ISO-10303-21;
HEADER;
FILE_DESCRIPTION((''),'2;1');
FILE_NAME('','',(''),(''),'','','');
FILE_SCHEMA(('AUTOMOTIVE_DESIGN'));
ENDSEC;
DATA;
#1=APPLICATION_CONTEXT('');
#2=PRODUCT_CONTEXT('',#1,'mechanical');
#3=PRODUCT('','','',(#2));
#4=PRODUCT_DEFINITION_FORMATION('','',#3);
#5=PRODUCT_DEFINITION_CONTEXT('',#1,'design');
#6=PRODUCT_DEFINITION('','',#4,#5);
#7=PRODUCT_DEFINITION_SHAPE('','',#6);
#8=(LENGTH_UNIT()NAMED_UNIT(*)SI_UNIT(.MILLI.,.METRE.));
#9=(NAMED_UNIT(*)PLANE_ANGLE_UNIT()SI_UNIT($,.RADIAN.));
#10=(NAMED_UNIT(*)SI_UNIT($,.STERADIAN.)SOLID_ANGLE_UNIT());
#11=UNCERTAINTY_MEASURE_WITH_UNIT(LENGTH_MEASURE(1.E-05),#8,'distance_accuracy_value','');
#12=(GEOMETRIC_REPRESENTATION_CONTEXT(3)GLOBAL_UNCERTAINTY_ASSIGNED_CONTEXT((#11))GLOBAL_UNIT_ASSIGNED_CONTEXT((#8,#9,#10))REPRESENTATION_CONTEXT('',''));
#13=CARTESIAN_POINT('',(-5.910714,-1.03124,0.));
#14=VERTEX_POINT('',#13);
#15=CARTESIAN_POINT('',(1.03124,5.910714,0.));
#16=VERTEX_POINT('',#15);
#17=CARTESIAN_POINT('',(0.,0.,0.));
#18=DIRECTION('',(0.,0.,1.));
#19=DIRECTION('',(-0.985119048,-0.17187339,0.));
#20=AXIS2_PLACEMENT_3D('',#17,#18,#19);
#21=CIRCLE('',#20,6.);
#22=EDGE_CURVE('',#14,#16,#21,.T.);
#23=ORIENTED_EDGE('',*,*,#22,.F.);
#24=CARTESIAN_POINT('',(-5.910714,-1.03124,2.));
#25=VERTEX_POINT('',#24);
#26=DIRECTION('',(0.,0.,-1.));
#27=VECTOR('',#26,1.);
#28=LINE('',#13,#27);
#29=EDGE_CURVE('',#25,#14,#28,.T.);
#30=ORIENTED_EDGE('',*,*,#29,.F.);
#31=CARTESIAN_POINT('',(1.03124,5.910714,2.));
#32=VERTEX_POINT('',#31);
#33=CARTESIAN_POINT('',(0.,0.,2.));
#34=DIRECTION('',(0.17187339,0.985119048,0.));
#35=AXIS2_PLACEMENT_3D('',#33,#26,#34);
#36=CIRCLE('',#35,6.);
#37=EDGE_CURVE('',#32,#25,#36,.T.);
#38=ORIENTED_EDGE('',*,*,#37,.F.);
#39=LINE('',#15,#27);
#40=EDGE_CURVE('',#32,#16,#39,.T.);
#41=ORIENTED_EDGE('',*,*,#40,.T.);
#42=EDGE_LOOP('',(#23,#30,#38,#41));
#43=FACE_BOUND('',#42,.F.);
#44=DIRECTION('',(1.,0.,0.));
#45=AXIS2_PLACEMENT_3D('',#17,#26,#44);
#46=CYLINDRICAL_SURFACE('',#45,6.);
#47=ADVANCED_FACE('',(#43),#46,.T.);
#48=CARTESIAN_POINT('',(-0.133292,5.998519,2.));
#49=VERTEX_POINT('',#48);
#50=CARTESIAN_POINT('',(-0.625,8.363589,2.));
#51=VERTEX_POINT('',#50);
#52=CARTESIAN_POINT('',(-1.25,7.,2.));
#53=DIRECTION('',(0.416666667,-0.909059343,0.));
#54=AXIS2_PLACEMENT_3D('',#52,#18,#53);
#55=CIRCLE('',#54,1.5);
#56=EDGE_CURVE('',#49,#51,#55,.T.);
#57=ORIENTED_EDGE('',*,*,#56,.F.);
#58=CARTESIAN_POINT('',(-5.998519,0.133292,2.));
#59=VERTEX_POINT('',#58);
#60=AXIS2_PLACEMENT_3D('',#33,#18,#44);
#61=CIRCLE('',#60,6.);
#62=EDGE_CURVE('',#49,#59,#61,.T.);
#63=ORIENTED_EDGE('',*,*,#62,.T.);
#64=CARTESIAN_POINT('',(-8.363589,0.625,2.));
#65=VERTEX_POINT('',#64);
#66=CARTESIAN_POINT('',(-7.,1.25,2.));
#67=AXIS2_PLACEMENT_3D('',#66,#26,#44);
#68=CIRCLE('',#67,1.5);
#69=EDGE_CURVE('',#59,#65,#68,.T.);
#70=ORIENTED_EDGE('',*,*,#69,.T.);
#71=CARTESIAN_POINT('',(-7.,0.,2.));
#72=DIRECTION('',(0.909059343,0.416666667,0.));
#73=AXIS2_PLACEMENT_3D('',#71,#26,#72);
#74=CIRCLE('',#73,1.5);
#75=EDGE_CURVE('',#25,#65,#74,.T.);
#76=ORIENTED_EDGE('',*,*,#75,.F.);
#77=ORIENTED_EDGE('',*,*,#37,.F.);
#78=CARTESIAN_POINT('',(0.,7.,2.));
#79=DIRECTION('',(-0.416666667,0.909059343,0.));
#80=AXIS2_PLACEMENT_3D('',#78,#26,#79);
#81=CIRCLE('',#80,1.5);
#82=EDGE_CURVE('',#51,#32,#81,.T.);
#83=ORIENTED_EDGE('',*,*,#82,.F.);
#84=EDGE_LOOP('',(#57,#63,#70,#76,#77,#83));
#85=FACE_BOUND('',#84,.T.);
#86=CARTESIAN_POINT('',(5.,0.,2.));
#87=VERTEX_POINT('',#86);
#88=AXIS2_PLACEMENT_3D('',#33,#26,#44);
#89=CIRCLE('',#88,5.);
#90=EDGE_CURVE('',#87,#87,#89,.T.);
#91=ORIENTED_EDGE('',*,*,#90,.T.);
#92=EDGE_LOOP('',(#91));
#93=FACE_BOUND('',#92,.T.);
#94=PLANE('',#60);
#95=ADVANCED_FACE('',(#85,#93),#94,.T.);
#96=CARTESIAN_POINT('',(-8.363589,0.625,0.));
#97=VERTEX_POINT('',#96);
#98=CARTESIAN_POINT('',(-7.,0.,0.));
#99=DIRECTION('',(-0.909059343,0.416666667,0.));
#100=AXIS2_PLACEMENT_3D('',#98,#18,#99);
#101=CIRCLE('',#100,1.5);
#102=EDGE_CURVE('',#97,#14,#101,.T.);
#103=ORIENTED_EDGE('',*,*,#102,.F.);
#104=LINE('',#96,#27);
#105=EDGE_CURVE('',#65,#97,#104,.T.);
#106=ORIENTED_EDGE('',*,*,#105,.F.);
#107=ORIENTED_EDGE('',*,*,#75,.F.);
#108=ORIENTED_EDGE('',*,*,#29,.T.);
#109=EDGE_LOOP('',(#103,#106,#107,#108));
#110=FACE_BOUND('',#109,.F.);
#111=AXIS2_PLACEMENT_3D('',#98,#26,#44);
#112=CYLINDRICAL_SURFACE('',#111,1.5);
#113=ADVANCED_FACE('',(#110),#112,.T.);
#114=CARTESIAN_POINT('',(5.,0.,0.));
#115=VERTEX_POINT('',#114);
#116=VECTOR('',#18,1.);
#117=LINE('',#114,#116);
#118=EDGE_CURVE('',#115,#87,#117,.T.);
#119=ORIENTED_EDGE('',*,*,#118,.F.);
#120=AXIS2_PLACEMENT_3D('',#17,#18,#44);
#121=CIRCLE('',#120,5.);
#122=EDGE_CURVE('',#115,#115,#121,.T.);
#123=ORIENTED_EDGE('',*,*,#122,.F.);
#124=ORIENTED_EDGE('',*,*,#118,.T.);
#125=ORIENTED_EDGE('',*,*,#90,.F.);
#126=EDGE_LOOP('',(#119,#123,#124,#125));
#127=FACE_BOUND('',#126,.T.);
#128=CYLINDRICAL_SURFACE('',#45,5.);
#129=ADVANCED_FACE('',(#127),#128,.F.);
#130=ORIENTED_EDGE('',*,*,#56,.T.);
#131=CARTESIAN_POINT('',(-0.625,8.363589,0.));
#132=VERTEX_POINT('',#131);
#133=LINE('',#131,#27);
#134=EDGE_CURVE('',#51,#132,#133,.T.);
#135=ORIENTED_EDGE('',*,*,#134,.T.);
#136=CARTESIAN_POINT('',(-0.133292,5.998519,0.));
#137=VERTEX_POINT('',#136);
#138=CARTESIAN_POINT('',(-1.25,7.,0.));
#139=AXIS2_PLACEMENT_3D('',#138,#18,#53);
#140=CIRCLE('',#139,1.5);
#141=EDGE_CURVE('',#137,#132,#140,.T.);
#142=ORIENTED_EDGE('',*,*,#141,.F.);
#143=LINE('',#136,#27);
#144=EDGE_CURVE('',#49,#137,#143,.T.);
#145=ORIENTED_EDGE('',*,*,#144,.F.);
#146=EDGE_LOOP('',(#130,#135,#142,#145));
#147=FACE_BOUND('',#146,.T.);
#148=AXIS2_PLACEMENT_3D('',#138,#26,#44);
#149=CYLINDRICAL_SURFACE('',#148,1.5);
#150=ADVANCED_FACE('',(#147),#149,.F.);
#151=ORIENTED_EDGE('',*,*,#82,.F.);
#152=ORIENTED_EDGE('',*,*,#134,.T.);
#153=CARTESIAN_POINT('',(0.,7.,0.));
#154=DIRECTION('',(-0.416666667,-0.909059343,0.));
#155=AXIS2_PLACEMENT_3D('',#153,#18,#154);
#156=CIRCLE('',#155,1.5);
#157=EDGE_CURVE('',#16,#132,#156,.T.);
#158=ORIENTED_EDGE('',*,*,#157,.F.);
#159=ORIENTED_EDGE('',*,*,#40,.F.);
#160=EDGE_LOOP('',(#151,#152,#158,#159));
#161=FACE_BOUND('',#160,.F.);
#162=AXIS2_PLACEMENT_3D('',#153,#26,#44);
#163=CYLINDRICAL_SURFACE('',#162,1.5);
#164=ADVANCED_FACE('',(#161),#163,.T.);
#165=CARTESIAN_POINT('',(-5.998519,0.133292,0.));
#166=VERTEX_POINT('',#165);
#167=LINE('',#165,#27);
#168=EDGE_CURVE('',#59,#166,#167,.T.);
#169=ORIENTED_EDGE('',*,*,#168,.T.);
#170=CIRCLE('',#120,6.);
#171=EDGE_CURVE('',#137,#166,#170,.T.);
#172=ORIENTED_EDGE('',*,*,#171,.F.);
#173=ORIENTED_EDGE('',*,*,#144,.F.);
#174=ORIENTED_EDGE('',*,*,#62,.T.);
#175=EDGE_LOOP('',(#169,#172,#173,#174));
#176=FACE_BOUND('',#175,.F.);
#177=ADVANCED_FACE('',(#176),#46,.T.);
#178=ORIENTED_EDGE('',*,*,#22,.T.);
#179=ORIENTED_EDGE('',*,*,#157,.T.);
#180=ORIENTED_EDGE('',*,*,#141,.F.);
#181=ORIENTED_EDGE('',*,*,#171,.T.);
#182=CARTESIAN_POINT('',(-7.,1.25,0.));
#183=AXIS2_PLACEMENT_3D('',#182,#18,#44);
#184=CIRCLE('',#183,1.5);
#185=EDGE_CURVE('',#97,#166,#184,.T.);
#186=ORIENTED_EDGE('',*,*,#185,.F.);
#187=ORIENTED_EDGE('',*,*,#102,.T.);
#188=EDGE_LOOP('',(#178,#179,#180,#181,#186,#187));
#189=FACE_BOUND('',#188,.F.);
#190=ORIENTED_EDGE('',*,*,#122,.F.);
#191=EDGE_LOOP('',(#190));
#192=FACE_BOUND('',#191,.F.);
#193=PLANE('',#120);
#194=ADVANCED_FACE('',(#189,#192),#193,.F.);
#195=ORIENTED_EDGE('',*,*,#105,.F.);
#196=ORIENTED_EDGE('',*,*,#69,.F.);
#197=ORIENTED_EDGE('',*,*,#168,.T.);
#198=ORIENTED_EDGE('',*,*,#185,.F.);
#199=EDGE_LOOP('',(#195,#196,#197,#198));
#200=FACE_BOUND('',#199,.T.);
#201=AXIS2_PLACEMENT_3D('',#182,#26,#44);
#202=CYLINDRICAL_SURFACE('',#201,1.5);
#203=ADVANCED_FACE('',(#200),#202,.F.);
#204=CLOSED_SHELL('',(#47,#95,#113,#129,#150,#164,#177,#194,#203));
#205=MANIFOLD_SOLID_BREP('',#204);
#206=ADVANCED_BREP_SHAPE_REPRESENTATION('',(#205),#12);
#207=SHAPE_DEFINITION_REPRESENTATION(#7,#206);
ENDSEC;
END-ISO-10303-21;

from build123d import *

# Parameters (mm, degrees)
CYLINDER001_R     = 5
CYLINDER001_DEPTH = 3
CYLINDER_R        = 6
CYLINDER_DEPTH    = 2
CYLINDER005_R     = 1.5
CYLINDER005_DEPTH = 10
CYLINDER004_R     = 1.5
CYLINDER004_DEPTH = 10
CYLINDER003_R     = 1.5
CYLINDER003_DEPTH = 2
CYLINDER002_R     = 1.5
CYLINDER002_DEPTH = 2


with BuildPart() as cylinder001:
    # Cylinder001 → Cylinder001 (new body)
    with BuildSketch(Plane.XY):
        Circle(CYLINDER001_R)
    extrude(amount=CYLINDER001_DEPTH)


with BuildPart() as cut:
    # Cylinder → Cylinder (new body)
    with BuildSketch(Plane.XY):
        Circle(CYLINDER_R)
    extrude(amount=CYLINDER_DEPTH)

    # Cut: cut Cylinder001
    add(cylinder001.part, mode=Mode.SUBTRACT)


with BuildPart() as cylinder005:
    # Cylinder005 → Cylinder005 (new body)
    with BuildSketch(Plane(origin=(-1.25, 7, 0), x_dir=(1, 0, 0), z_dir=(0, 0, 1))):
        Circle(CYLINDER005_R)
    extrude(amount=CYLINDER005_DEPTH)


with BuildPart() as fusion:
    # Cylinder004 → Cylinder004 (new body)
    with BuildSketch(Plane(origin=(-7, 1.25, 0), x_dir=(1, 0, 0), z_dir=(0, 0, 1))):
        Circle(CYLINDER004_R)
    extrude(amount=CYLINDER004_DEPTH)

    # Fusion: union Cylinder005
    add(cylinder005.part)


with BuildPart() as cylinder003:
    # Cylinder003 → Cylinder003 (new body)
    with BuildSketch(Plane(origin=(0, 7, 0), x_dir=(1, 0, 0), z_dir=(0, 0, 1))):
        Circle(CYLINDER003_R)
    extrude(amount=CYLINDER003_DEPTH)


with BuildPart() as fusion002:
    # Cylinder002 → Cylinder002 (new body)
    with BuildSketch(Plane(origin=(-7, 0, 0), x_dir=(1, 0, 0), z_dir=(0, 0, 1))):
        Circle(CYLINDER002_R)
    extrude(amount=CYLINDER002_DEPTH)

    # Fusion001: union Cylinder003
    add(cylinder003.part)

    # Cut001: cut Fusion
    add(fusion.part, mode=Mode.SUBTRACT)

    # Fusion002: union Cut
    add(cut.part)


solid = fusion002.part
